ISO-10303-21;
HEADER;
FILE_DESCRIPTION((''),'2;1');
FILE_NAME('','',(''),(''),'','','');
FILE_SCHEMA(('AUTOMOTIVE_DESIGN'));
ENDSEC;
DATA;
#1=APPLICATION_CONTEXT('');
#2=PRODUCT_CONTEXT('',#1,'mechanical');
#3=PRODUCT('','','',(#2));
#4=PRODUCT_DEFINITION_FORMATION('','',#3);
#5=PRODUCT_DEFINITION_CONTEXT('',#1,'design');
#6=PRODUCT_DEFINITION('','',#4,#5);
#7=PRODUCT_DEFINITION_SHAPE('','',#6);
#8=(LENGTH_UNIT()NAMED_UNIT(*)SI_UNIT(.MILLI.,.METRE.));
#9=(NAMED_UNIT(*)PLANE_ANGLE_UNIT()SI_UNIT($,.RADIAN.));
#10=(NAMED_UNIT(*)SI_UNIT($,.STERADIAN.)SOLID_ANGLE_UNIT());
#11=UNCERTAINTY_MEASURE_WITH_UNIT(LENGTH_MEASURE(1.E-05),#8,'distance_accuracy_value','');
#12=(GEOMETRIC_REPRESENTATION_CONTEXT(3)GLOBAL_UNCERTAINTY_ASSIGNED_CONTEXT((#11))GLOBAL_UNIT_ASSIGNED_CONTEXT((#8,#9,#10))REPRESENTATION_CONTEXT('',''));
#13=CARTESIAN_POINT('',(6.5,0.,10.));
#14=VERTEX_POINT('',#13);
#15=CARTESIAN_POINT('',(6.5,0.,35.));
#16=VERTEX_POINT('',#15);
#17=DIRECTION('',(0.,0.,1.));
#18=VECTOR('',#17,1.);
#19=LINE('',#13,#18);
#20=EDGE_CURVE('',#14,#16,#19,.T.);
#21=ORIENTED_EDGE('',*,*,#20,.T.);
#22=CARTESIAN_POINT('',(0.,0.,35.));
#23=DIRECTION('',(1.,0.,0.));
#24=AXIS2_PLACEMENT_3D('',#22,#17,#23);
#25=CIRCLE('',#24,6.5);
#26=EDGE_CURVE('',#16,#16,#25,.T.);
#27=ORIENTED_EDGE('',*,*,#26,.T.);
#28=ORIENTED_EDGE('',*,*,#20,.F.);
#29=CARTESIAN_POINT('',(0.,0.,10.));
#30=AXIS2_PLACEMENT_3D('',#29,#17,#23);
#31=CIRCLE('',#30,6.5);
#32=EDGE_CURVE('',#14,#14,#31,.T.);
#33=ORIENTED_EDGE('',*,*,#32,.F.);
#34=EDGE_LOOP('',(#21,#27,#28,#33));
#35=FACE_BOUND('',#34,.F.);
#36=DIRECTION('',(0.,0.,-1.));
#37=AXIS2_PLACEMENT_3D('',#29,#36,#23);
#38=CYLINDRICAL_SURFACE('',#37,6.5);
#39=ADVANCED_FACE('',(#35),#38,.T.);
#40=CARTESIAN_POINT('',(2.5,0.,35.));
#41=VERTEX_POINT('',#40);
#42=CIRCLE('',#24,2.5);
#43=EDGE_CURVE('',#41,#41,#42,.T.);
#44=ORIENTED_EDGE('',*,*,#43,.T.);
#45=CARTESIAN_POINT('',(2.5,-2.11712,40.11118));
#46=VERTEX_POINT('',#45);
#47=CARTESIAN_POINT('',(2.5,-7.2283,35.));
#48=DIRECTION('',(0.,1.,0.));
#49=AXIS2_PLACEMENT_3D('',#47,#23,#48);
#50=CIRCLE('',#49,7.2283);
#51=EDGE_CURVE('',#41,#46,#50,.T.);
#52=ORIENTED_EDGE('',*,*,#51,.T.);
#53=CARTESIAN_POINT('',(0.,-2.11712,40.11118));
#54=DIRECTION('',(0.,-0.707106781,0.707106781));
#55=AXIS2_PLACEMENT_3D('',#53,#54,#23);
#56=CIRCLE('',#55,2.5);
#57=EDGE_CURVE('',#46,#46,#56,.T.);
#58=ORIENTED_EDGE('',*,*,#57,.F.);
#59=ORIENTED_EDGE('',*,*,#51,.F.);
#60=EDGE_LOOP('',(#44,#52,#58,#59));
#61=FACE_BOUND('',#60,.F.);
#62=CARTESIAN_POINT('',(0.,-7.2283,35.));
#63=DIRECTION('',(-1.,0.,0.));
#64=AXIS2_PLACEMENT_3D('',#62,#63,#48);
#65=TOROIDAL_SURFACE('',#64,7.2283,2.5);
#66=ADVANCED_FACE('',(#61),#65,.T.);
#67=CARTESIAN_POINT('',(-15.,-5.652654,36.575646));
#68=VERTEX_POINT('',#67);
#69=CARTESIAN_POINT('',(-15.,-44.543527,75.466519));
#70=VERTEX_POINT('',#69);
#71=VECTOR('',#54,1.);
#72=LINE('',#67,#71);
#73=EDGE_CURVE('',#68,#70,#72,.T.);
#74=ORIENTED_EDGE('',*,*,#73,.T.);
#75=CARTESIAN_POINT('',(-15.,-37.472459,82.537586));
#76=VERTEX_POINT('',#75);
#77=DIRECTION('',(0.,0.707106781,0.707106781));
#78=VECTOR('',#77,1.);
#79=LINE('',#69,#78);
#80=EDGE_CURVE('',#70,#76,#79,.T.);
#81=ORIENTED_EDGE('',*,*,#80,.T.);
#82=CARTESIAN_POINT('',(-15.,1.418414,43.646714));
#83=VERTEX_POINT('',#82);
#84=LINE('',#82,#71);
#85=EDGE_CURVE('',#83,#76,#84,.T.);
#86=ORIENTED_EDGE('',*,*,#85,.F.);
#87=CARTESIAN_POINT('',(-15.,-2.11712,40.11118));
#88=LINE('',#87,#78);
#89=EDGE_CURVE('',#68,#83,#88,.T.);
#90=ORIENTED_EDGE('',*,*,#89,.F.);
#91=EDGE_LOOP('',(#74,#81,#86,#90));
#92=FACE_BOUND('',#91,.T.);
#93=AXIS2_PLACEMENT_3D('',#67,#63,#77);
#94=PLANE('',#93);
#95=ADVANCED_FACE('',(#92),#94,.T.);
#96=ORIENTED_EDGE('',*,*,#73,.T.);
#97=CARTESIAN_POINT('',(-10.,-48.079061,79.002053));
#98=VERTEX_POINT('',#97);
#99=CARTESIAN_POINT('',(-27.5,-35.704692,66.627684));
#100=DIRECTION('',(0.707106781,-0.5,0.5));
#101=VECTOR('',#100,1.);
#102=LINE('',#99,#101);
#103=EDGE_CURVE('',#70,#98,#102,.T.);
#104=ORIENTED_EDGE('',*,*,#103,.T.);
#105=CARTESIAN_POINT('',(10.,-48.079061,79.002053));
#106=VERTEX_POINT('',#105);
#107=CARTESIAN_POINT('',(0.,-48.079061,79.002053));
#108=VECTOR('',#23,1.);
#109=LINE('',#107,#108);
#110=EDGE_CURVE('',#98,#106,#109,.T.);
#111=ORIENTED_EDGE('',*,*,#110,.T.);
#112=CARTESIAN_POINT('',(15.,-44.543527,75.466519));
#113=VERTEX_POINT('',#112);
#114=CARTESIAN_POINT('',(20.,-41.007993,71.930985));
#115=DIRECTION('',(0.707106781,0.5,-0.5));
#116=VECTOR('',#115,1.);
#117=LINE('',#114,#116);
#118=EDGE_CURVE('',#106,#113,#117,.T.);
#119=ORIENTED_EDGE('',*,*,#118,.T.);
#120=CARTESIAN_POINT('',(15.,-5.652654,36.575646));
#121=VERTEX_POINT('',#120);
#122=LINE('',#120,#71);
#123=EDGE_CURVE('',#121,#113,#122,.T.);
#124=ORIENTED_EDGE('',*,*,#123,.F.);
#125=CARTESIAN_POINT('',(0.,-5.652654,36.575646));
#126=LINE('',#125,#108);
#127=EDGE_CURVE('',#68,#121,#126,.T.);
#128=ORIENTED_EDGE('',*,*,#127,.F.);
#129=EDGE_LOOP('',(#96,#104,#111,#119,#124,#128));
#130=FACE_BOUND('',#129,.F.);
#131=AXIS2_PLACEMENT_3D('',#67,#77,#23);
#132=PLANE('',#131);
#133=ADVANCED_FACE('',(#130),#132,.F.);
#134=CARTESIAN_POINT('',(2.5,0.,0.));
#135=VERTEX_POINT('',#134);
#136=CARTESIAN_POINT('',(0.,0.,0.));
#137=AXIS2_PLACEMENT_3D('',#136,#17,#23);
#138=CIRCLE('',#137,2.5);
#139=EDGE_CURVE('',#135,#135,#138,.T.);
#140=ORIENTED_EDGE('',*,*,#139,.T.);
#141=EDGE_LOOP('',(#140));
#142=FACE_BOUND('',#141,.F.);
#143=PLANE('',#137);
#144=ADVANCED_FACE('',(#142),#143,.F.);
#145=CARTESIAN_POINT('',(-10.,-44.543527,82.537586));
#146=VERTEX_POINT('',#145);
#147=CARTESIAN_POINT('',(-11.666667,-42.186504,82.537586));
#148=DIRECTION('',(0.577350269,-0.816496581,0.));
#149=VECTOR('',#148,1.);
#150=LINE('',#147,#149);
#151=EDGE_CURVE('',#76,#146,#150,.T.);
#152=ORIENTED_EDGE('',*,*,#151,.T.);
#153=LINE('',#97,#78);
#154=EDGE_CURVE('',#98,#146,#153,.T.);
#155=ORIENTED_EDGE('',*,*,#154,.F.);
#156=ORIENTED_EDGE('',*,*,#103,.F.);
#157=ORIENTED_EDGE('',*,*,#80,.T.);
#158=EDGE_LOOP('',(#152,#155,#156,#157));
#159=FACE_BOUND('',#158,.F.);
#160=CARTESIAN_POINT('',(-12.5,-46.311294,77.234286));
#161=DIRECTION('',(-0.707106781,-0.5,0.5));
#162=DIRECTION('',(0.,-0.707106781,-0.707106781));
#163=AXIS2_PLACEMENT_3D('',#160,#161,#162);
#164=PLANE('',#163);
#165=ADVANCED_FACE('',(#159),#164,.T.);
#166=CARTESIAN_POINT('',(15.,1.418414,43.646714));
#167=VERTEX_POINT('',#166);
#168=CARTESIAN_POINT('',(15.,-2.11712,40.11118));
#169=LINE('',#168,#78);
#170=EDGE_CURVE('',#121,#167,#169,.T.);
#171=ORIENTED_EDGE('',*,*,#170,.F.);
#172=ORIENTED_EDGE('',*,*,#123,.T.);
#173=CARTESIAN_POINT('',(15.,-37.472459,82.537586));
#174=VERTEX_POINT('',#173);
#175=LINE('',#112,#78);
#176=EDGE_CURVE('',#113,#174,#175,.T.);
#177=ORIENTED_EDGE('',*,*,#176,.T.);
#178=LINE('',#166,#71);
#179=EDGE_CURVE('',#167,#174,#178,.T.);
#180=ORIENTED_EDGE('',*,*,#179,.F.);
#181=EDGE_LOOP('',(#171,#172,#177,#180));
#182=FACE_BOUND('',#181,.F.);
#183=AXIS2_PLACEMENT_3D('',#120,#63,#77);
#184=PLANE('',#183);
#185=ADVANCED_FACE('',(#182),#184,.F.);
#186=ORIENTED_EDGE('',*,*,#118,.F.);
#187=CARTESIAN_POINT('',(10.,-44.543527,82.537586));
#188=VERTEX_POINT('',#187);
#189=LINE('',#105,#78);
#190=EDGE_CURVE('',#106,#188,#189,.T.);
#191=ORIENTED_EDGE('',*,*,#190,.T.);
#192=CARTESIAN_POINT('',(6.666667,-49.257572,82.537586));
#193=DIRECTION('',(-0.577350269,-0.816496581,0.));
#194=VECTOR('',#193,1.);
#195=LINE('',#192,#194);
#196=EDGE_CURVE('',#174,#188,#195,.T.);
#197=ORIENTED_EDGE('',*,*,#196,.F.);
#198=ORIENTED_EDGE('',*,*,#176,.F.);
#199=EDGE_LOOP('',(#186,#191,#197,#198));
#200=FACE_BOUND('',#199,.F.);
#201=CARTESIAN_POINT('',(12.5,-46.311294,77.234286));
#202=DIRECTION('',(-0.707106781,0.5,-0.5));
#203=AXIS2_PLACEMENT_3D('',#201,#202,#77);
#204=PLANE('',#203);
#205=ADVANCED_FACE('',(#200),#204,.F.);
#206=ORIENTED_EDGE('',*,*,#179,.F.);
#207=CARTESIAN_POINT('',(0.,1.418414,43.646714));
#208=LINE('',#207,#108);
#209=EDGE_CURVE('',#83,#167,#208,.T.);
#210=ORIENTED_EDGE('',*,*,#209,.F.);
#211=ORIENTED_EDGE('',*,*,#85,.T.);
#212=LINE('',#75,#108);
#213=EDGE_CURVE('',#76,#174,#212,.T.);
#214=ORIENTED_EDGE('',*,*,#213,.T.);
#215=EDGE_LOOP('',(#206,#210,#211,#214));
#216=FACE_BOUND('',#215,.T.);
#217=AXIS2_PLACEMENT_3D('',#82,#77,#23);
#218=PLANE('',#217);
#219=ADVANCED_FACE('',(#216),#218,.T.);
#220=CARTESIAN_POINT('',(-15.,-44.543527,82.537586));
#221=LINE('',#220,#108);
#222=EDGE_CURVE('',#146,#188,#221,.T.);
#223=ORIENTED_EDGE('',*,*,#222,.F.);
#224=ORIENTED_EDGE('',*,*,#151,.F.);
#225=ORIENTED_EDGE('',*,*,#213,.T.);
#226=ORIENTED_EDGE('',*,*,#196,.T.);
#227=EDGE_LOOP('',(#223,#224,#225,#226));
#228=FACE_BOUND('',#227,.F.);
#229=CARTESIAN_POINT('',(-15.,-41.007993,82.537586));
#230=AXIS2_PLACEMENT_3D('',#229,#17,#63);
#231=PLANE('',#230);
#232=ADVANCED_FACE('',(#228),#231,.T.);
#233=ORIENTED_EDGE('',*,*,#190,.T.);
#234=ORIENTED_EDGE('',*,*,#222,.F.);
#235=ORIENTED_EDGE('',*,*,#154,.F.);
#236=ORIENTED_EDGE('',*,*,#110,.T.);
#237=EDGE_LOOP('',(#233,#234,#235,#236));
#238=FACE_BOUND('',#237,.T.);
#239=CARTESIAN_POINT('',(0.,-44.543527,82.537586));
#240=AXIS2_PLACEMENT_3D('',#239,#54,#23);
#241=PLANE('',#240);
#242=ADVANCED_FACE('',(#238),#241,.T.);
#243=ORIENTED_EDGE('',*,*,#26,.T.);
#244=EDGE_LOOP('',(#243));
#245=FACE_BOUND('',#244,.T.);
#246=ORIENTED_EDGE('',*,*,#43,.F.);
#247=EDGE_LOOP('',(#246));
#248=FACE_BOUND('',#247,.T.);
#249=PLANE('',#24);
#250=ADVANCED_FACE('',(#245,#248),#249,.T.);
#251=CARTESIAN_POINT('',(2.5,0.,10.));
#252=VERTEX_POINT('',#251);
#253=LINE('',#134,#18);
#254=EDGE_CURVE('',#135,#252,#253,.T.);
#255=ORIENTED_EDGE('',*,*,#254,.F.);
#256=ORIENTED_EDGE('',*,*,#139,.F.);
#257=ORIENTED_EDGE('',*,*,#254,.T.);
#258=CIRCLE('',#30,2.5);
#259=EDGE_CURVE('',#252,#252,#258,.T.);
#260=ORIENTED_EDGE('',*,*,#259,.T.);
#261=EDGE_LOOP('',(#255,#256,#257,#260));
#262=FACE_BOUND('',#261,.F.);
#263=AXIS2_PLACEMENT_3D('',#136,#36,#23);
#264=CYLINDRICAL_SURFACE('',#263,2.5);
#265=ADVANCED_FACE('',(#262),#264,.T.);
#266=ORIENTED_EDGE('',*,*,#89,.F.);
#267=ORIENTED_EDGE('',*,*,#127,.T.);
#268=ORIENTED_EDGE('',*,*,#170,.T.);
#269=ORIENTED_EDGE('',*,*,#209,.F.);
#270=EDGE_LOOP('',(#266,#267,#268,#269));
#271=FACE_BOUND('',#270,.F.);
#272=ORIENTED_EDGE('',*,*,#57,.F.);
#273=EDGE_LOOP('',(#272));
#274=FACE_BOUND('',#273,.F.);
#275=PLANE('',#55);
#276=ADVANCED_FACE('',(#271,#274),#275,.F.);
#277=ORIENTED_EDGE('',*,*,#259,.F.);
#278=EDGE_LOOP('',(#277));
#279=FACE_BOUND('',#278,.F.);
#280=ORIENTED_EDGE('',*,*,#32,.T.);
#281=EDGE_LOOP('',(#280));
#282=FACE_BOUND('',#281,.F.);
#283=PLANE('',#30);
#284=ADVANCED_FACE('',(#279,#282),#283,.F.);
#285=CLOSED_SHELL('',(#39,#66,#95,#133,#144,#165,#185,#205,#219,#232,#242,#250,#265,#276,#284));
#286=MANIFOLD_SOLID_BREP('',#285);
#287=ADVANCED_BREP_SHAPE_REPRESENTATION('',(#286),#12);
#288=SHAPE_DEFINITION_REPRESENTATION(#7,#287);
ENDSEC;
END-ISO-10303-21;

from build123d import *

# Parameters (mm, degrees)
F0_R     = 2.5
F1_DEPTH = 10
F2_R     = 6.5
F2_R_2   = 2.5
F3_DEPTH = 25
F4_R     = 2.5
F5_ANGLE = 45
F6_W     = 30
F6_H     = 10
F6_R     = 2.5
F7_DEPTH = 60
F8_SIZE2 = 5
F8_SIZE  = 5


with BuildPart() as f1:
    # F0 (on Top) → F1 (new body)
    with BuildSketch(Plane.XY):
        Circle(F0_R)
    extrude(amount=F1_DEPTH)

    # F2 (on face) → F3 (join)
    with BuildSketch(Plane.XY.offset(10)):
        Circle(F2_R)
        Circle(F2_R_2, mode=Mode.SUBTRACT)
        Circle(F2_R_2)
    extrude(amount=F3_DEPTH)

    # F4 (on face) → F5 (revolve)
    with BuildSketch(Plane.XY.offset(35)):
        Circle(F4_R)
    revolve(axis=Axis((1.7774057342, -7.2282995097, 35), (1, 0, 0)), revolution_arc=F5_ANGLE)

    # F6 (on face) → F7 (join)
    with BuildSketch(Plane(origin=(0, -21.1141497549, 21.1141497549), x_dir=(1, 0, 0), z_dir=(0, -0.7071067812, 0.7071067812))):
        with Locations((0, 26.8658572515)):
            Rectangle(F6_W, F6_H)
        with Locations((0, 26.8658572515)):
            Circle(F6_R, mode=Mode.SUBTRACT)
        with Locations((0, 26.8658572515)):
            Circle(F6_R)
    extrude(amount=F7_DEPTH)

    # F8
    f8_edges = [f1.edges().sort_by_distance(p)[0] for p in [
        (0, -41.007993, 86.07312),
        (-15, -44.543527, 82.537586),
        (15, -44.543527, 82.537586),
    ]]
    chamfer(f8_edges, length=F8_SIZE, length2=F8_SIZE2)


solid = f1.part
